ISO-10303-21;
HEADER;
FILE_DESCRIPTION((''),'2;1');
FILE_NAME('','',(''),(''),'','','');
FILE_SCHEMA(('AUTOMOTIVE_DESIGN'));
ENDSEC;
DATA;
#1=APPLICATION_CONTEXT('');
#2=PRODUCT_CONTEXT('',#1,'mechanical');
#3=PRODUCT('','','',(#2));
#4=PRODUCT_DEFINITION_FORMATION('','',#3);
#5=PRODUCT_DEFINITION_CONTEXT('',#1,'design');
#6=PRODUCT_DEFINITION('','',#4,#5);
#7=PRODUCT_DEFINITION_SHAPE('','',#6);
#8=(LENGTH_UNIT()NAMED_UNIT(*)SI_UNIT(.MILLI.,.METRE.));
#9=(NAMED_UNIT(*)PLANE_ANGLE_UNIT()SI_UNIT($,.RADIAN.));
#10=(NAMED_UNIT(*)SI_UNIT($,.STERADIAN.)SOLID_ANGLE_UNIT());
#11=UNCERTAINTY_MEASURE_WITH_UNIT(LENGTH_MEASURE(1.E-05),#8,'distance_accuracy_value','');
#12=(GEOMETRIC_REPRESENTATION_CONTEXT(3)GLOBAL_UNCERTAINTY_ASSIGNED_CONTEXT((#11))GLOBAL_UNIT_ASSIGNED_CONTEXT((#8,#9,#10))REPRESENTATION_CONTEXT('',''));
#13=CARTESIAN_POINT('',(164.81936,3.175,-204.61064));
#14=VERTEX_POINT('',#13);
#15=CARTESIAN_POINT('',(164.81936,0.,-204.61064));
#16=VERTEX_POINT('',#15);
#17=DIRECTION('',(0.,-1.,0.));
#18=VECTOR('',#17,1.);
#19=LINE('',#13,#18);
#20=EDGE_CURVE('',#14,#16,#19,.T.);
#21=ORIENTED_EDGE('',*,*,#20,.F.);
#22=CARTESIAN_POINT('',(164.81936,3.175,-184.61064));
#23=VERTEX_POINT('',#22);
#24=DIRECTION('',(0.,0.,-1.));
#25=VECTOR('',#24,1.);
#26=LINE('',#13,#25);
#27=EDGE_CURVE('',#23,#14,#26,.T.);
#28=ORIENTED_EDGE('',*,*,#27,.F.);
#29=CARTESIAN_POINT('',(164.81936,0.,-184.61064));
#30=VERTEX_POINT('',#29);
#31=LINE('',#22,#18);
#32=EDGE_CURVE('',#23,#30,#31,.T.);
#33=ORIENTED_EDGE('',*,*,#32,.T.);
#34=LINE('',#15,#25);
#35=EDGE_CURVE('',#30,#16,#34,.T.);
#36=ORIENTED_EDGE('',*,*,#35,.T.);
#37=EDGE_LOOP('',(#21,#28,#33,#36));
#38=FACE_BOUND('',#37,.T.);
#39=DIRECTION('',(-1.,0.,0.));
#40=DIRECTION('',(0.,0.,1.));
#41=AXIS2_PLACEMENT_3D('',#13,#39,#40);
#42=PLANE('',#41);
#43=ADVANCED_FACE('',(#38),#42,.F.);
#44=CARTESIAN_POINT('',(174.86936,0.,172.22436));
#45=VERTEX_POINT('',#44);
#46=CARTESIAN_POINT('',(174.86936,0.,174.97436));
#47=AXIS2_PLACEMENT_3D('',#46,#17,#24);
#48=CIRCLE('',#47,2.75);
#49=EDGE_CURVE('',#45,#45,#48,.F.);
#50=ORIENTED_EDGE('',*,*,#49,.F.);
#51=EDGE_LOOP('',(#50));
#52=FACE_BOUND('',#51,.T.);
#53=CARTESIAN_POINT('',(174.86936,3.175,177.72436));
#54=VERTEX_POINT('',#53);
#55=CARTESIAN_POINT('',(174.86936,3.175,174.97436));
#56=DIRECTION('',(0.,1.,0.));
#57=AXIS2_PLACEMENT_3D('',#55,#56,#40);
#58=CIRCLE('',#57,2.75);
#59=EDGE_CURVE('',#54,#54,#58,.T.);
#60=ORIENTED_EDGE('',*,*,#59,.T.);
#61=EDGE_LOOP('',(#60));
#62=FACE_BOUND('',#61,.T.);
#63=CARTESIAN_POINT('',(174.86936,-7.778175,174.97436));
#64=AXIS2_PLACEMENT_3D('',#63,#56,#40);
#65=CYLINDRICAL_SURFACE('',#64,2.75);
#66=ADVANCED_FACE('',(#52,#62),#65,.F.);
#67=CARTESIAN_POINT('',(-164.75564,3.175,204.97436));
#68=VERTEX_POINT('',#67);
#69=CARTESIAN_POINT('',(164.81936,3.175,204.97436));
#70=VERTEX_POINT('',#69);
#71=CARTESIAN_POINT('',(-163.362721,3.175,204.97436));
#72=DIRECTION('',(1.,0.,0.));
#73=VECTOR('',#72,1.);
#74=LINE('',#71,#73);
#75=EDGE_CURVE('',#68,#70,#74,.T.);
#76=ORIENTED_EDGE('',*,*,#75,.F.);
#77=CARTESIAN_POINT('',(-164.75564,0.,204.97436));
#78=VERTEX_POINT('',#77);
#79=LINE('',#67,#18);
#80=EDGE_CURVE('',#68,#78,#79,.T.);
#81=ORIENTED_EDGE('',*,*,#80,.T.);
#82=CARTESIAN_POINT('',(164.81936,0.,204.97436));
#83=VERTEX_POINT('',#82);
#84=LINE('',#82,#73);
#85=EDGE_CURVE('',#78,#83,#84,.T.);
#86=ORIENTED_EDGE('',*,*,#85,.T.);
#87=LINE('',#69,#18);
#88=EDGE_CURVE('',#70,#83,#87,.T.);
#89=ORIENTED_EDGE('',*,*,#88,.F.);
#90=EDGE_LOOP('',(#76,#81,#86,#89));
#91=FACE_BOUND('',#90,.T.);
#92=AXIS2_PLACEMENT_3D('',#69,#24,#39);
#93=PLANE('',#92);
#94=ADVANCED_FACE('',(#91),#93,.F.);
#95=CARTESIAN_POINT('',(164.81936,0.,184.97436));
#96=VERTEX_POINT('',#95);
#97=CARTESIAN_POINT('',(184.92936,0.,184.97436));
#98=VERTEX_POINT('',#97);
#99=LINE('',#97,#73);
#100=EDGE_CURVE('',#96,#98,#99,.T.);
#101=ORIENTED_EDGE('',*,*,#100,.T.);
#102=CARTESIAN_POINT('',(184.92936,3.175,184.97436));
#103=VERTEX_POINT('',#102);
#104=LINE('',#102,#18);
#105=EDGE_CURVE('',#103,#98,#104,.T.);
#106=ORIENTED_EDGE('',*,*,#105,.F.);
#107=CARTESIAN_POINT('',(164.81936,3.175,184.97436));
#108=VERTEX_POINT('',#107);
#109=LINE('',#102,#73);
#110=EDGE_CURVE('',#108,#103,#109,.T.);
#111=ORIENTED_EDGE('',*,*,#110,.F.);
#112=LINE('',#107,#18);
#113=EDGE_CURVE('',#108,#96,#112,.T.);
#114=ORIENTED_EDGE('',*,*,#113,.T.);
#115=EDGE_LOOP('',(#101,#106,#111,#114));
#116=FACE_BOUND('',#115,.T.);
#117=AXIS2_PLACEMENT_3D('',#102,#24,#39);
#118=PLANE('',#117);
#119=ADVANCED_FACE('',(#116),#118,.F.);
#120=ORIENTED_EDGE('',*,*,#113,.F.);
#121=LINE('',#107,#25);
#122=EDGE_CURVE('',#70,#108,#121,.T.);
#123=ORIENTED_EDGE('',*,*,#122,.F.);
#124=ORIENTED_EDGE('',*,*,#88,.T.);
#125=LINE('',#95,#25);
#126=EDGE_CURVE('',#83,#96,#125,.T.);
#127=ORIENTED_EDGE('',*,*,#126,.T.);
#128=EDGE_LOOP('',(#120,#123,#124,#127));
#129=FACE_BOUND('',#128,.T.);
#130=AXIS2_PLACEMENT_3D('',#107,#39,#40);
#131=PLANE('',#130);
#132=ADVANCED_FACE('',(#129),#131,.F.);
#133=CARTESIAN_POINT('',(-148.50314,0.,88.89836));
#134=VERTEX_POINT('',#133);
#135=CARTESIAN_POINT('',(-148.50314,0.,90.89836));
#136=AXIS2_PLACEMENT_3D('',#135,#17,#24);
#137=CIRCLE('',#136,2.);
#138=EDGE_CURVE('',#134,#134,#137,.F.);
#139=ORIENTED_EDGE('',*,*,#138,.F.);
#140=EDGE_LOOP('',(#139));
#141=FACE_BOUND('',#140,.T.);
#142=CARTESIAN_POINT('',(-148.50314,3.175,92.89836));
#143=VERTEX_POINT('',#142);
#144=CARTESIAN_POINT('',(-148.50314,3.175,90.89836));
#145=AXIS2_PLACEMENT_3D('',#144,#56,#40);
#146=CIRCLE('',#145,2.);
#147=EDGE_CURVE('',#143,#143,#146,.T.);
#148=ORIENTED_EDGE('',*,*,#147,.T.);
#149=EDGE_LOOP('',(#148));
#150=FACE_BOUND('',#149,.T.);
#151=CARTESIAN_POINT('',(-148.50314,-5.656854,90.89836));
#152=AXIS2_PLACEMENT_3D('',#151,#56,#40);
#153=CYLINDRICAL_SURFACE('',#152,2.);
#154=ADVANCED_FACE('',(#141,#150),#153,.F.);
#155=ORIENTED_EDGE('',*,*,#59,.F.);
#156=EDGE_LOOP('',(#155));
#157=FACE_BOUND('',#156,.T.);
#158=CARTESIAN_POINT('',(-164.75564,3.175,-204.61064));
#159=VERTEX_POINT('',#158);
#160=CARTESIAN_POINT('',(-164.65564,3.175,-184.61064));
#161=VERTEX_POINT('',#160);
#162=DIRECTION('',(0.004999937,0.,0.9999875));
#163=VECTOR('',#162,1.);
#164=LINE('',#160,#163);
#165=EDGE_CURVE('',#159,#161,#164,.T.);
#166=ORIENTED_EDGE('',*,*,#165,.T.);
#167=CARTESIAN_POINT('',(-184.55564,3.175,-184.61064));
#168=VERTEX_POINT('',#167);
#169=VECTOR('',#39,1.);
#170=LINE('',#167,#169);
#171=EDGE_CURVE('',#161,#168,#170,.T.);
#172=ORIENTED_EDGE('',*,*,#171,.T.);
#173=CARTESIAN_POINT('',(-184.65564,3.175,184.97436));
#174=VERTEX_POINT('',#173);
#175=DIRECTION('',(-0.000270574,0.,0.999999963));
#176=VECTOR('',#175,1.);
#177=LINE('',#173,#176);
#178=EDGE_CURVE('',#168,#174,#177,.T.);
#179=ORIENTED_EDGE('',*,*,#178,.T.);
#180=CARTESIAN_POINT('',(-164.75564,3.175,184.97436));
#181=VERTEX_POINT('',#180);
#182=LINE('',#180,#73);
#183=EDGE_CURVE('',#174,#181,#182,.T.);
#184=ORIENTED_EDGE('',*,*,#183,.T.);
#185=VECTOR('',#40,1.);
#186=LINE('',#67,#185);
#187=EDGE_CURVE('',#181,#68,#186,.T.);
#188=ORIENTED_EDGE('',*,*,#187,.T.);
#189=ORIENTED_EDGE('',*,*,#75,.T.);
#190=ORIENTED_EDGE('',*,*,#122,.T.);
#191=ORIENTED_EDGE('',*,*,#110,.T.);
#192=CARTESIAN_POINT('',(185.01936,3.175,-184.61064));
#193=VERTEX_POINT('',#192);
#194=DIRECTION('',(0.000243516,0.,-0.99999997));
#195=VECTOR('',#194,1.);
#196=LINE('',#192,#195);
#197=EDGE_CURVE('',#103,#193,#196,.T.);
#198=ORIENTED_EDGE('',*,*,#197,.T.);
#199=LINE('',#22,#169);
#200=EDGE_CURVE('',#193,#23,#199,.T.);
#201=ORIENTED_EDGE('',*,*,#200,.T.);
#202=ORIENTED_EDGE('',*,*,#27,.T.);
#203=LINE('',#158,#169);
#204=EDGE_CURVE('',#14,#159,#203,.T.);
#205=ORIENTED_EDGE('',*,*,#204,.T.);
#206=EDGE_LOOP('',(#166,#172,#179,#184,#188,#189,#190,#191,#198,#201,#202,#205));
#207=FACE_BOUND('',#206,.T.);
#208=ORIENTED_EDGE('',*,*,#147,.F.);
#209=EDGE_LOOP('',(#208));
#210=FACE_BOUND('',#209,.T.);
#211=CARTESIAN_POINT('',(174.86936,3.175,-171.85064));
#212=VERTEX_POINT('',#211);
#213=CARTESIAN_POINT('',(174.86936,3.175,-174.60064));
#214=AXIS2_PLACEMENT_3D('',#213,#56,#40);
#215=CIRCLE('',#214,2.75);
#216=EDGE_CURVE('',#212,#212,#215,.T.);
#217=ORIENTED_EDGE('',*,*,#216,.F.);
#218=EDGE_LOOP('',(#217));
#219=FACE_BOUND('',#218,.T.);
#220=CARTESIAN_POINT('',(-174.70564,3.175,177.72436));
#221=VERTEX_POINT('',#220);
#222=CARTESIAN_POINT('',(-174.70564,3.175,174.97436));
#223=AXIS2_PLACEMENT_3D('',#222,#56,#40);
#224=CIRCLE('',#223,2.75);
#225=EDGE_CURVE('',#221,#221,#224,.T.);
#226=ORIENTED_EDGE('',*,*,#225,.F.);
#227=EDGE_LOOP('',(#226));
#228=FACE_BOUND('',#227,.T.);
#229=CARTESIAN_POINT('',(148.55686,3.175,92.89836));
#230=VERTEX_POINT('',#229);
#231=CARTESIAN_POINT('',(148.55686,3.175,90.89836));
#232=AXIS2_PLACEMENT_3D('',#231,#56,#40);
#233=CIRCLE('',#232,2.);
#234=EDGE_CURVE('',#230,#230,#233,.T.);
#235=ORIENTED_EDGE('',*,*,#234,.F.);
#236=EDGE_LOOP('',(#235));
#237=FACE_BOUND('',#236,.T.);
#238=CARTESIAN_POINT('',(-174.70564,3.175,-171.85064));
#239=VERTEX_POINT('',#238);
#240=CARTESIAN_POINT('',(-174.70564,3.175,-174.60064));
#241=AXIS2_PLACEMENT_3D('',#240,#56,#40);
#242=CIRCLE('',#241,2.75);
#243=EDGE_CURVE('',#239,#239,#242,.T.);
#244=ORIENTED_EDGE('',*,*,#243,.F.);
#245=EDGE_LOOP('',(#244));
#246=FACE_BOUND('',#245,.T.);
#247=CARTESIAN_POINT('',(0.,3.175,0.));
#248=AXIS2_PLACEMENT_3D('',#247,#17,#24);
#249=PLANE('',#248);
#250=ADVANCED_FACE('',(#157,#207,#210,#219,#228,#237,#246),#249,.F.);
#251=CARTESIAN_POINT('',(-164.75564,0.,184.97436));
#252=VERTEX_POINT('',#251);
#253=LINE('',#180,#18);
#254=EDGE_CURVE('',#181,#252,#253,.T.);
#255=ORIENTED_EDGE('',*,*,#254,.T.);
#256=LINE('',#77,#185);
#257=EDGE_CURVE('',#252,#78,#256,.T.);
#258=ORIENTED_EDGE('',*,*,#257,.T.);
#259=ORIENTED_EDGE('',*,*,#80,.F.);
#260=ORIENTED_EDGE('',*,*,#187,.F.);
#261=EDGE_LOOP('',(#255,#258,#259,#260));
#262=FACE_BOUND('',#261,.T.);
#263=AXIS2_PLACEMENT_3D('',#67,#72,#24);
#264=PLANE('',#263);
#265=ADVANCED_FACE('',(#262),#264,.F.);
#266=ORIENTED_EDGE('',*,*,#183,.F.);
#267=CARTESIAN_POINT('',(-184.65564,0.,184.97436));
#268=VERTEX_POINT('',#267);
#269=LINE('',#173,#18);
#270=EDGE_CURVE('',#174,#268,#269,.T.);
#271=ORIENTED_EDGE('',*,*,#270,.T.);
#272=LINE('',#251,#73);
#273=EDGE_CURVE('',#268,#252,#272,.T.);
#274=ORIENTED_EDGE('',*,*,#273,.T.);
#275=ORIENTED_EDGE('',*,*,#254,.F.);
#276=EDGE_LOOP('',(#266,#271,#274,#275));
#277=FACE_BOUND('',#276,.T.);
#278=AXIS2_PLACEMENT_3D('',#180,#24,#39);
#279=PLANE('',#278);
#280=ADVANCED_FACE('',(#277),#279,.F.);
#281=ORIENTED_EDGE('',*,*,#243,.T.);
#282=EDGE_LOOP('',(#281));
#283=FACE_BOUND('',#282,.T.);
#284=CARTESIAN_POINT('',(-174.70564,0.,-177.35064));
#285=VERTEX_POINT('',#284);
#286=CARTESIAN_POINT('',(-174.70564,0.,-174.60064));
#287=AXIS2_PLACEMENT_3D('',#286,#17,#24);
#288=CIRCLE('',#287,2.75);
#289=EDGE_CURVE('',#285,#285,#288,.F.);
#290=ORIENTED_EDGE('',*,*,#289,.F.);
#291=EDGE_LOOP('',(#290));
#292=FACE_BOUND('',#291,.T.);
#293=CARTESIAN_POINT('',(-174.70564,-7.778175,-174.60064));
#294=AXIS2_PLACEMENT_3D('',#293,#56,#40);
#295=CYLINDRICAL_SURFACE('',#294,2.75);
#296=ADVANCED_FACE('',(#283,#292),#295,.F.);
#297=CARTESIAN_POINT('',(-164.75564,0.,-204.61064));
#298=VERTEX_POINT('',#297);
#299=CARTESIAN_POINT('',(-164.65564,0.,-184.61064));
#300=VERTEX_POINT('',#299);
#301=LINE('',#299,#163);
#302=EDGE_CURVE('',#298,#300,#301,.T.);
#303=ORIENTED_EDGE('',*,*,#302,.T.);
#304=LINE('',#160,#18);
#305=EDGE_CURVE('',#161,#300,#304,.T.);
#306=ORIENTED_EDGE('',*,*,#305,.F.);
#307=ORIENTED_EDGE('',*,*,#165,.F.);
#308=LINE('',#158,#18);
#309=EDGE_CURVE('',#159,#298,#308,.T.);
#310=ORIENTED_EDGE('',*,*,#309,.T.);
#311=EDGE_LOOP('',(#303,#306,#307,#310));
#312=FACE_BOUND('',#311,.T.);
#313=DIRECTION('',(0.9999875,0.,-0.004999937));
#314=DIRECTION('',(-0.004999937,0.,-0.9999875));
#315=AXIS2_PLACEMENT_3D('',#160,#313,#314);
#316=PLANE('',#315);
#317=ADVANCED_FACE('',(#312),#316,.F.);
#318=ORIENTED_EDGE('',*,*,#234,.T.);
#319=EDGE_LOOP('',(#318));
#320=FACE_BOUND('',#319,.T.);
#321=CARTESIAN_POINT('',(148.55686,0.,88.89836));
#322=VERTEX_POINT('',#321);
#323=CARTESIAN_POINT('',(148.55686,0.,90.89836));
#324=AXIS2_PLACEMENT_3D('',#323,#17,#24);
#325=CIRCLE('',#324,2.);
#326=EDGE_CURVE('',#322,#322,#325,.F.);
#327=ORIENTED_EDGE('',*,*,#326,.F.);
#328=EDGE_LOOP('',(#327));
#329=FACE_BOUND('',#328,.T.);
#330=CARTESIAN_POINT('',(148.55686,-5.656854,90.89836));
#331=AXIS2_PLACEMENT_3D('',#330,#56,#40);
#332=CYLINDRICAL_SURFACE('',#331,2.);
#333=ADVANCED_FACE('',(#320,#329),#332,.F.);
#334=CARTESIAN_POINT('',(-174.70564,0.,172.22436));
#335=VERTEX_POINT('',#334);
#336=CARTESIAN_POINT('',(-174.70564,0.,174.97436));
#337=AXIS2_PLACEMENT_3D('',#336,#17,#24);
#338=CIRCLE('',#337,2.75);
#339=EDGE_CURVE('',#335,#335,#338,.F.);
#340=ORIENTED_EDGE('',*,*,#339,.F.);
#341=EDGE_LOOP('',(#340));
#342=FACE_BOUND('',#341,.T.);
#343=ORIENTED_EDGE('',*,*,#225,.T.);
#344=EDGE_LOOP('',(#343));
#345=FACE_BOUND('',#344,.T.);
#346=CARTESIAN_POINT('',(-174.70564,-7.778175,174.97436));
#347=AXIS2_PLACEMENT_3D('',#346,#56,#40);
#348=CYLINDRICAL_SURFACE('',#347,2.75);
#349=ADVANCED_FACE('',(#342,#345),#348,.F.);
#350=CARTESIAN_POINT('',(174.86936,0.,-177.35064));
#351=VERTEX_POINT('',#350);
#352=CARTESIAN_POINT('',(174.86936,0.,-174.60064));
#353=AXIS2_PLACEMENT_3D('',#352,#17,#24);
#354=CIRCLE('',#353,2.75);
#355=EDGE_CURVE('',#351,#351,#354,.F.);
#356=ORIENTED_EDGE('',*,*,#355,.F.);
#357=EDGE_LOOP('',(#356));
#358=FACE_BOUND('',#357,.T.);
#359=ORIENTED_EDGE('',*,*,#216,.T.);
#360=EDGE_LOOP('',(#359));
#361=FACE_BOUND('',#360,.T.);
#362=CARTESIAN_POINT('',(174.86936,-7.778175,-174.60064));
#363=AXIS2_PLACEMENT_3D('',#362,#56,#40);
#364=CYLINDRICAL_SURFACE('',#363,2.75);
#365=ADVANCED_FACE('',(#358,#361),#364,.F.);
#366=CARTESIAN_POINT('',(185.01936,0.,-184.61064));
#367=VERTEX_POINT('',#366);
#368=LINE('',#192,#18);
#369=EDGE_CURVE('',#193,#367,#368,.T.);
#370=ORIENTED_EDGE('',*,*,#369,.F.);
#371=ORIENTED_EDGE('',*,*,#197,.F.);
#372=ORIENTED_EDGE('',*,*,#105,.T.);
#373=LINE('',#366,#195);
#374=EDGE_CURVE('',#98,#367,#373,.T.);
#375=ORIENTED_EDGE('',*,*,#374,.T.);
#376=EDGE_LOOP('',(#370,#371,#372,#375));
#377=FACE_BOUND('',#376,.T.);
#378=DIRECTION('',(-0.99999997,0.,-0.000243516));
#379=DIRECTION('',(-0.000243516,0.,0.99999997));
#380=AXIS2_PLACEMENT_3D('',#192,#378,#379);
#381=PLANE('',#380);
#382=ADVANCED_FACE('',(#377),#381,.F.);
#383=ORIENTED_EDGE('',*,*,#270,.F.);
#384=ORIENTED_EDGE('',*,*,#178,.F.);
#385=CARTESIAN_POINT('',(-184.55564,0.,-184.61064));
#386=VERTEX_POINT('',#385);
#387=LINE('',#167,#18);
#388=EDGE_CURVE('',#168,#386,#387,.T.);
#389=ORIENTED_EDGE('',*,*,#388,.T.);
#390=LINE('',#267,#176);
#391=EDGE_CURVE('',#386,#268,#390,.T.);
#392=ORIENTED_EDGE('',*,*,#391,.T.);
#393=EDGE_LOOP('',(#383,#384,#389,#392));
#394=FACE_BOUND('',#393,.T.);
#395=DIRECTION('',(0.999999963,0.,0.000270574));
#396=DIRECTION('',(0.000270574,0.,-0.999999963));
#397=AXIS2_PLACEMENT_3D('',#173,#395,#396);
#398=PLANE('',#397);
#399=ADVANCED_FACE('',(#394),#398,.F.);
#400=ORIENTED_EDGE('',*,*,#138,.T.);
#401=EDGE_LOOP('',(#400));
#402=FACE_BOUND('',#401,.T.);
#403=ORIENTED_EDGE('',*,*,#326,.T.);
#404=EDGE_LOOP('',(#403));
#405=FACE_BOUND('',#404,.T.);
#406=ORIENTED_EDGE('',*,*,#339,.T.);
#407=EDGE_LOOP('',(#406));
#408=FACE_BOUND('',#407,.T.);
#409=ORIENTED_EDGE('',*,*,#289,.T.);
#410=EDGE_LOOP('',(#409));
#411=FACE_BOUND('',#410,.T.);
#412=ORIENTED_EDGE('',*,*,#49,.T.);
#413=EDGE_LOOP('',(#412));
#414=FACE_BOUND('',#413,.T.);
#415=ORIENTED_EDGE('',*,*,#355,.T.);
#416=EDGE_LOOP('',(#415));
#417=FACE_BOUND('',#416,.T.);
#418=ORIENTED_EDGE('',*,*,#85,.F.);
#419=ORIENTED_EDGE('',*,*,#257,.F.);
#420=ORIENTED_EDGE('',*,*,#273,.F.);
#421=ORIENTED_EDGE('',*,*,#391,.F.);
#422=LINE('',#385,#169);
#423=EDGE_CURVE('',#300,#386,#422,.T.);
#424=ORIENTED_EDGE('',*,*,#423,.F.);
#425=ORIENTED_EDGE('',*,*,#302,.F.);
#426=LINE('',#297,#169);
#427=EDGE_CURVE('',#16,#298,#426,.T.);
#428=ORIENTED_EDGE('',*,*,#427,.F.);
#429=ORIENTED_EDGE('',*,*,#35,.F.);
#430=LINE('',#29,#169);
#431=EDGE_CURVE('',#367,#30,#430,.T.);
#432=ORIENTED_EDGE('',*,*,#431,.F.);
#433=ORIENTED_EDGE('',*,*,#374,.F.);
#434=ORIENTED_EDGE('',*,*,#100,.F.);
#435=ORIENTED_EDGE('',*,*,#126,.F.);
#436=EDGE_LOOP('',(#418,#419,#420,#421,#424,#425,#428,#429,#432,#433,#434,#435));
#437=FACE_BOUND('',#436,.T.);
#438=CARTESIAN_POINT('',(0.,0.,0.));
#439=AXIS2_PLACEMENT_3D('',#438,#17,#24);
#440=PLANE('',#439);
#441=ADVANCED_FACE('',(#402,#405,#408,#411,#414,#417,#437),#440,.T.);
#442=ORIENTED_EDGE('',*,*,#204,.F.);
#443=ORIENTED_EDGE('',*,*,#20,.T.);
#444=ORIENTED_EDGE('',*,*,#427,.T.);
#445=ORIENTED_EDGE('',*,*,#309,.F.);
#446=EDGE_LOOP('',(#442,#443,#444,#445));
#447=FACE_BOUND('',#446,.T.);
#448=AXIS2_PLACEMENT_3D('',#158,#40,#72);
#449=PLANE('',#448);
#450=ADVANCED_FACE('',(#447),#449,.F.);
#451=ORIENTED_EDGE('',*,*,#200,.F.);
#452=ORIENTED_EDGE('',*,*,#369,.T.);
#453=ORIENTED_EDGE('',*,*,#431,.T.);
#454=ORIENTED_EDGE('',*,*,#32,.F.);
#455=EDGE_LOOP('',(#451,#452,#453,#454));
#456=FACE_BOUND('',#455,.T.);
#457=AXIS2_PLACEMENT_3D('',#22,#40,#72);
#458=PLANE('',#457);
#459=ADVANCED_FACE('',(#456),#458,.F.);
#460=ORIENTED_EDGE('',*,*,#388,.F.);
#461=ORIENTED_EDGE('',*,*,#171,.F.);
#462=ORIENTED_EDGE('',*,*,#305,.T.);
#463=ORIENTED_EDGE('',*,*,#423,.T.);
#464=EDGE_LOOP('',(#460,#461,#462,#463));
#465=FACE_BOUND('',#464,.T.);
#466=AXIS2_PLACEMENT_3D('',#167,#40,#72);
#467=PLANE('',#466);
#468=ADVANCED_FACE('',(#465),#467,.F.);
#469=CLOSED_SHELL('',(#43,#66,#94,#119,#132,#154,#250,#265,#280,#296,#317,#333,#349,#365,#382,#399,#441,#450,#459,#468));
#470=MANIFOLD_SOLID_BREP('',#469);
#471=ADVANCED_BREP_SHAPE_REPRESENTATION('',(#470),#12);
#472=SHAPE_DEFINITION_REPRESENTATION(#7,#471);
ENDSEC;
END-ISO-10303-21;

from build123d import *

# Parameters (mm, degrees)
BOSS_EXTRUDE1_DEPTH = 3.175
SKETCH2_R           = 2.75
CUT_EXTRUDE1_DEPTH  = 3.175
SKETCH3_R           = 2
CUT_EXTRUDE2_DEPTH  = 3.175


with BuildPart() as part:
    # Sketch1 → Boss-Extrude1 (new body)
    with BuildSketch(Plane(origin=(0, 0, 0), x_dir=(1, 0, 0), z_dir=(0, 1, 0))):
        Polygon((-164.75564006, -204.974359939), (-164.75564006, -184.974359939), (-184.65564006, -184.974359939), (-184.55564006, 184.61064006), (-164.65564006, 184.61064006), (-164.75564006, 204.61064006), (164.81935994, 204.61064006), (164.81935994, 184.61064006), (185.01935994, 184.61064006), (184.92935994, -184.974359939), (164.81935994, -184.974359939), (164.81935994, -204.974359939), (-163.362720717, -204.974359939), align=None)
    extrude(amount=BOSS_EXTRUDE1_DEPTH)

    # Sketch2 → Cut-Extrude1 (cut)
    with BuildSketch(Plane(origin=(0, 3.175, 0), x_dir=(1, 0, 0), z_dir=(0, 1, 0))):
        with Locations(Location((-174.70564006, -174.974360305, 0), (0, 0, 270))):
            Circle(SKETCH2_R)
        with Locations(Location((174.86935994, -174.974360305, 0), (0, 0, 270))):
            Circle(SKETCH2_R)
        with Locations(Location((174.86935994, 174.600639695, 0), (0, 0, 270))):
            Circle(SKETCH2_R)
        with Locations(Location((-174.70564006, 174.600639695, 0), (0, 0, 270))):
            Circle(SKETCH2_R)
    extrude(amount=-CUT_EXTRUDE1_DEPTH, mode=Mode.SUBTRACT)

    # Sketch3 → Cut-Extrude2 (cut)
    with BuildSketch(Plane(origin=(0, 3.175, 0), x_dir=(1, 0, 0), z_dir=(0, 1, 0))):
        with Locations(Location((-148.50314006, -90.898359939, 0), (0, 0, 270))):
            Circle(SKETCH3_R)
        with Locations(Location((148.55685994, -90.898359939, 0), (0, 0, 270))):
            Circle(SKETCH3_R)
    extrude(amount=-CUT_EXTRUDE2_DEPTH, mode=Mode.SUBTRACT)


solid = part.part
